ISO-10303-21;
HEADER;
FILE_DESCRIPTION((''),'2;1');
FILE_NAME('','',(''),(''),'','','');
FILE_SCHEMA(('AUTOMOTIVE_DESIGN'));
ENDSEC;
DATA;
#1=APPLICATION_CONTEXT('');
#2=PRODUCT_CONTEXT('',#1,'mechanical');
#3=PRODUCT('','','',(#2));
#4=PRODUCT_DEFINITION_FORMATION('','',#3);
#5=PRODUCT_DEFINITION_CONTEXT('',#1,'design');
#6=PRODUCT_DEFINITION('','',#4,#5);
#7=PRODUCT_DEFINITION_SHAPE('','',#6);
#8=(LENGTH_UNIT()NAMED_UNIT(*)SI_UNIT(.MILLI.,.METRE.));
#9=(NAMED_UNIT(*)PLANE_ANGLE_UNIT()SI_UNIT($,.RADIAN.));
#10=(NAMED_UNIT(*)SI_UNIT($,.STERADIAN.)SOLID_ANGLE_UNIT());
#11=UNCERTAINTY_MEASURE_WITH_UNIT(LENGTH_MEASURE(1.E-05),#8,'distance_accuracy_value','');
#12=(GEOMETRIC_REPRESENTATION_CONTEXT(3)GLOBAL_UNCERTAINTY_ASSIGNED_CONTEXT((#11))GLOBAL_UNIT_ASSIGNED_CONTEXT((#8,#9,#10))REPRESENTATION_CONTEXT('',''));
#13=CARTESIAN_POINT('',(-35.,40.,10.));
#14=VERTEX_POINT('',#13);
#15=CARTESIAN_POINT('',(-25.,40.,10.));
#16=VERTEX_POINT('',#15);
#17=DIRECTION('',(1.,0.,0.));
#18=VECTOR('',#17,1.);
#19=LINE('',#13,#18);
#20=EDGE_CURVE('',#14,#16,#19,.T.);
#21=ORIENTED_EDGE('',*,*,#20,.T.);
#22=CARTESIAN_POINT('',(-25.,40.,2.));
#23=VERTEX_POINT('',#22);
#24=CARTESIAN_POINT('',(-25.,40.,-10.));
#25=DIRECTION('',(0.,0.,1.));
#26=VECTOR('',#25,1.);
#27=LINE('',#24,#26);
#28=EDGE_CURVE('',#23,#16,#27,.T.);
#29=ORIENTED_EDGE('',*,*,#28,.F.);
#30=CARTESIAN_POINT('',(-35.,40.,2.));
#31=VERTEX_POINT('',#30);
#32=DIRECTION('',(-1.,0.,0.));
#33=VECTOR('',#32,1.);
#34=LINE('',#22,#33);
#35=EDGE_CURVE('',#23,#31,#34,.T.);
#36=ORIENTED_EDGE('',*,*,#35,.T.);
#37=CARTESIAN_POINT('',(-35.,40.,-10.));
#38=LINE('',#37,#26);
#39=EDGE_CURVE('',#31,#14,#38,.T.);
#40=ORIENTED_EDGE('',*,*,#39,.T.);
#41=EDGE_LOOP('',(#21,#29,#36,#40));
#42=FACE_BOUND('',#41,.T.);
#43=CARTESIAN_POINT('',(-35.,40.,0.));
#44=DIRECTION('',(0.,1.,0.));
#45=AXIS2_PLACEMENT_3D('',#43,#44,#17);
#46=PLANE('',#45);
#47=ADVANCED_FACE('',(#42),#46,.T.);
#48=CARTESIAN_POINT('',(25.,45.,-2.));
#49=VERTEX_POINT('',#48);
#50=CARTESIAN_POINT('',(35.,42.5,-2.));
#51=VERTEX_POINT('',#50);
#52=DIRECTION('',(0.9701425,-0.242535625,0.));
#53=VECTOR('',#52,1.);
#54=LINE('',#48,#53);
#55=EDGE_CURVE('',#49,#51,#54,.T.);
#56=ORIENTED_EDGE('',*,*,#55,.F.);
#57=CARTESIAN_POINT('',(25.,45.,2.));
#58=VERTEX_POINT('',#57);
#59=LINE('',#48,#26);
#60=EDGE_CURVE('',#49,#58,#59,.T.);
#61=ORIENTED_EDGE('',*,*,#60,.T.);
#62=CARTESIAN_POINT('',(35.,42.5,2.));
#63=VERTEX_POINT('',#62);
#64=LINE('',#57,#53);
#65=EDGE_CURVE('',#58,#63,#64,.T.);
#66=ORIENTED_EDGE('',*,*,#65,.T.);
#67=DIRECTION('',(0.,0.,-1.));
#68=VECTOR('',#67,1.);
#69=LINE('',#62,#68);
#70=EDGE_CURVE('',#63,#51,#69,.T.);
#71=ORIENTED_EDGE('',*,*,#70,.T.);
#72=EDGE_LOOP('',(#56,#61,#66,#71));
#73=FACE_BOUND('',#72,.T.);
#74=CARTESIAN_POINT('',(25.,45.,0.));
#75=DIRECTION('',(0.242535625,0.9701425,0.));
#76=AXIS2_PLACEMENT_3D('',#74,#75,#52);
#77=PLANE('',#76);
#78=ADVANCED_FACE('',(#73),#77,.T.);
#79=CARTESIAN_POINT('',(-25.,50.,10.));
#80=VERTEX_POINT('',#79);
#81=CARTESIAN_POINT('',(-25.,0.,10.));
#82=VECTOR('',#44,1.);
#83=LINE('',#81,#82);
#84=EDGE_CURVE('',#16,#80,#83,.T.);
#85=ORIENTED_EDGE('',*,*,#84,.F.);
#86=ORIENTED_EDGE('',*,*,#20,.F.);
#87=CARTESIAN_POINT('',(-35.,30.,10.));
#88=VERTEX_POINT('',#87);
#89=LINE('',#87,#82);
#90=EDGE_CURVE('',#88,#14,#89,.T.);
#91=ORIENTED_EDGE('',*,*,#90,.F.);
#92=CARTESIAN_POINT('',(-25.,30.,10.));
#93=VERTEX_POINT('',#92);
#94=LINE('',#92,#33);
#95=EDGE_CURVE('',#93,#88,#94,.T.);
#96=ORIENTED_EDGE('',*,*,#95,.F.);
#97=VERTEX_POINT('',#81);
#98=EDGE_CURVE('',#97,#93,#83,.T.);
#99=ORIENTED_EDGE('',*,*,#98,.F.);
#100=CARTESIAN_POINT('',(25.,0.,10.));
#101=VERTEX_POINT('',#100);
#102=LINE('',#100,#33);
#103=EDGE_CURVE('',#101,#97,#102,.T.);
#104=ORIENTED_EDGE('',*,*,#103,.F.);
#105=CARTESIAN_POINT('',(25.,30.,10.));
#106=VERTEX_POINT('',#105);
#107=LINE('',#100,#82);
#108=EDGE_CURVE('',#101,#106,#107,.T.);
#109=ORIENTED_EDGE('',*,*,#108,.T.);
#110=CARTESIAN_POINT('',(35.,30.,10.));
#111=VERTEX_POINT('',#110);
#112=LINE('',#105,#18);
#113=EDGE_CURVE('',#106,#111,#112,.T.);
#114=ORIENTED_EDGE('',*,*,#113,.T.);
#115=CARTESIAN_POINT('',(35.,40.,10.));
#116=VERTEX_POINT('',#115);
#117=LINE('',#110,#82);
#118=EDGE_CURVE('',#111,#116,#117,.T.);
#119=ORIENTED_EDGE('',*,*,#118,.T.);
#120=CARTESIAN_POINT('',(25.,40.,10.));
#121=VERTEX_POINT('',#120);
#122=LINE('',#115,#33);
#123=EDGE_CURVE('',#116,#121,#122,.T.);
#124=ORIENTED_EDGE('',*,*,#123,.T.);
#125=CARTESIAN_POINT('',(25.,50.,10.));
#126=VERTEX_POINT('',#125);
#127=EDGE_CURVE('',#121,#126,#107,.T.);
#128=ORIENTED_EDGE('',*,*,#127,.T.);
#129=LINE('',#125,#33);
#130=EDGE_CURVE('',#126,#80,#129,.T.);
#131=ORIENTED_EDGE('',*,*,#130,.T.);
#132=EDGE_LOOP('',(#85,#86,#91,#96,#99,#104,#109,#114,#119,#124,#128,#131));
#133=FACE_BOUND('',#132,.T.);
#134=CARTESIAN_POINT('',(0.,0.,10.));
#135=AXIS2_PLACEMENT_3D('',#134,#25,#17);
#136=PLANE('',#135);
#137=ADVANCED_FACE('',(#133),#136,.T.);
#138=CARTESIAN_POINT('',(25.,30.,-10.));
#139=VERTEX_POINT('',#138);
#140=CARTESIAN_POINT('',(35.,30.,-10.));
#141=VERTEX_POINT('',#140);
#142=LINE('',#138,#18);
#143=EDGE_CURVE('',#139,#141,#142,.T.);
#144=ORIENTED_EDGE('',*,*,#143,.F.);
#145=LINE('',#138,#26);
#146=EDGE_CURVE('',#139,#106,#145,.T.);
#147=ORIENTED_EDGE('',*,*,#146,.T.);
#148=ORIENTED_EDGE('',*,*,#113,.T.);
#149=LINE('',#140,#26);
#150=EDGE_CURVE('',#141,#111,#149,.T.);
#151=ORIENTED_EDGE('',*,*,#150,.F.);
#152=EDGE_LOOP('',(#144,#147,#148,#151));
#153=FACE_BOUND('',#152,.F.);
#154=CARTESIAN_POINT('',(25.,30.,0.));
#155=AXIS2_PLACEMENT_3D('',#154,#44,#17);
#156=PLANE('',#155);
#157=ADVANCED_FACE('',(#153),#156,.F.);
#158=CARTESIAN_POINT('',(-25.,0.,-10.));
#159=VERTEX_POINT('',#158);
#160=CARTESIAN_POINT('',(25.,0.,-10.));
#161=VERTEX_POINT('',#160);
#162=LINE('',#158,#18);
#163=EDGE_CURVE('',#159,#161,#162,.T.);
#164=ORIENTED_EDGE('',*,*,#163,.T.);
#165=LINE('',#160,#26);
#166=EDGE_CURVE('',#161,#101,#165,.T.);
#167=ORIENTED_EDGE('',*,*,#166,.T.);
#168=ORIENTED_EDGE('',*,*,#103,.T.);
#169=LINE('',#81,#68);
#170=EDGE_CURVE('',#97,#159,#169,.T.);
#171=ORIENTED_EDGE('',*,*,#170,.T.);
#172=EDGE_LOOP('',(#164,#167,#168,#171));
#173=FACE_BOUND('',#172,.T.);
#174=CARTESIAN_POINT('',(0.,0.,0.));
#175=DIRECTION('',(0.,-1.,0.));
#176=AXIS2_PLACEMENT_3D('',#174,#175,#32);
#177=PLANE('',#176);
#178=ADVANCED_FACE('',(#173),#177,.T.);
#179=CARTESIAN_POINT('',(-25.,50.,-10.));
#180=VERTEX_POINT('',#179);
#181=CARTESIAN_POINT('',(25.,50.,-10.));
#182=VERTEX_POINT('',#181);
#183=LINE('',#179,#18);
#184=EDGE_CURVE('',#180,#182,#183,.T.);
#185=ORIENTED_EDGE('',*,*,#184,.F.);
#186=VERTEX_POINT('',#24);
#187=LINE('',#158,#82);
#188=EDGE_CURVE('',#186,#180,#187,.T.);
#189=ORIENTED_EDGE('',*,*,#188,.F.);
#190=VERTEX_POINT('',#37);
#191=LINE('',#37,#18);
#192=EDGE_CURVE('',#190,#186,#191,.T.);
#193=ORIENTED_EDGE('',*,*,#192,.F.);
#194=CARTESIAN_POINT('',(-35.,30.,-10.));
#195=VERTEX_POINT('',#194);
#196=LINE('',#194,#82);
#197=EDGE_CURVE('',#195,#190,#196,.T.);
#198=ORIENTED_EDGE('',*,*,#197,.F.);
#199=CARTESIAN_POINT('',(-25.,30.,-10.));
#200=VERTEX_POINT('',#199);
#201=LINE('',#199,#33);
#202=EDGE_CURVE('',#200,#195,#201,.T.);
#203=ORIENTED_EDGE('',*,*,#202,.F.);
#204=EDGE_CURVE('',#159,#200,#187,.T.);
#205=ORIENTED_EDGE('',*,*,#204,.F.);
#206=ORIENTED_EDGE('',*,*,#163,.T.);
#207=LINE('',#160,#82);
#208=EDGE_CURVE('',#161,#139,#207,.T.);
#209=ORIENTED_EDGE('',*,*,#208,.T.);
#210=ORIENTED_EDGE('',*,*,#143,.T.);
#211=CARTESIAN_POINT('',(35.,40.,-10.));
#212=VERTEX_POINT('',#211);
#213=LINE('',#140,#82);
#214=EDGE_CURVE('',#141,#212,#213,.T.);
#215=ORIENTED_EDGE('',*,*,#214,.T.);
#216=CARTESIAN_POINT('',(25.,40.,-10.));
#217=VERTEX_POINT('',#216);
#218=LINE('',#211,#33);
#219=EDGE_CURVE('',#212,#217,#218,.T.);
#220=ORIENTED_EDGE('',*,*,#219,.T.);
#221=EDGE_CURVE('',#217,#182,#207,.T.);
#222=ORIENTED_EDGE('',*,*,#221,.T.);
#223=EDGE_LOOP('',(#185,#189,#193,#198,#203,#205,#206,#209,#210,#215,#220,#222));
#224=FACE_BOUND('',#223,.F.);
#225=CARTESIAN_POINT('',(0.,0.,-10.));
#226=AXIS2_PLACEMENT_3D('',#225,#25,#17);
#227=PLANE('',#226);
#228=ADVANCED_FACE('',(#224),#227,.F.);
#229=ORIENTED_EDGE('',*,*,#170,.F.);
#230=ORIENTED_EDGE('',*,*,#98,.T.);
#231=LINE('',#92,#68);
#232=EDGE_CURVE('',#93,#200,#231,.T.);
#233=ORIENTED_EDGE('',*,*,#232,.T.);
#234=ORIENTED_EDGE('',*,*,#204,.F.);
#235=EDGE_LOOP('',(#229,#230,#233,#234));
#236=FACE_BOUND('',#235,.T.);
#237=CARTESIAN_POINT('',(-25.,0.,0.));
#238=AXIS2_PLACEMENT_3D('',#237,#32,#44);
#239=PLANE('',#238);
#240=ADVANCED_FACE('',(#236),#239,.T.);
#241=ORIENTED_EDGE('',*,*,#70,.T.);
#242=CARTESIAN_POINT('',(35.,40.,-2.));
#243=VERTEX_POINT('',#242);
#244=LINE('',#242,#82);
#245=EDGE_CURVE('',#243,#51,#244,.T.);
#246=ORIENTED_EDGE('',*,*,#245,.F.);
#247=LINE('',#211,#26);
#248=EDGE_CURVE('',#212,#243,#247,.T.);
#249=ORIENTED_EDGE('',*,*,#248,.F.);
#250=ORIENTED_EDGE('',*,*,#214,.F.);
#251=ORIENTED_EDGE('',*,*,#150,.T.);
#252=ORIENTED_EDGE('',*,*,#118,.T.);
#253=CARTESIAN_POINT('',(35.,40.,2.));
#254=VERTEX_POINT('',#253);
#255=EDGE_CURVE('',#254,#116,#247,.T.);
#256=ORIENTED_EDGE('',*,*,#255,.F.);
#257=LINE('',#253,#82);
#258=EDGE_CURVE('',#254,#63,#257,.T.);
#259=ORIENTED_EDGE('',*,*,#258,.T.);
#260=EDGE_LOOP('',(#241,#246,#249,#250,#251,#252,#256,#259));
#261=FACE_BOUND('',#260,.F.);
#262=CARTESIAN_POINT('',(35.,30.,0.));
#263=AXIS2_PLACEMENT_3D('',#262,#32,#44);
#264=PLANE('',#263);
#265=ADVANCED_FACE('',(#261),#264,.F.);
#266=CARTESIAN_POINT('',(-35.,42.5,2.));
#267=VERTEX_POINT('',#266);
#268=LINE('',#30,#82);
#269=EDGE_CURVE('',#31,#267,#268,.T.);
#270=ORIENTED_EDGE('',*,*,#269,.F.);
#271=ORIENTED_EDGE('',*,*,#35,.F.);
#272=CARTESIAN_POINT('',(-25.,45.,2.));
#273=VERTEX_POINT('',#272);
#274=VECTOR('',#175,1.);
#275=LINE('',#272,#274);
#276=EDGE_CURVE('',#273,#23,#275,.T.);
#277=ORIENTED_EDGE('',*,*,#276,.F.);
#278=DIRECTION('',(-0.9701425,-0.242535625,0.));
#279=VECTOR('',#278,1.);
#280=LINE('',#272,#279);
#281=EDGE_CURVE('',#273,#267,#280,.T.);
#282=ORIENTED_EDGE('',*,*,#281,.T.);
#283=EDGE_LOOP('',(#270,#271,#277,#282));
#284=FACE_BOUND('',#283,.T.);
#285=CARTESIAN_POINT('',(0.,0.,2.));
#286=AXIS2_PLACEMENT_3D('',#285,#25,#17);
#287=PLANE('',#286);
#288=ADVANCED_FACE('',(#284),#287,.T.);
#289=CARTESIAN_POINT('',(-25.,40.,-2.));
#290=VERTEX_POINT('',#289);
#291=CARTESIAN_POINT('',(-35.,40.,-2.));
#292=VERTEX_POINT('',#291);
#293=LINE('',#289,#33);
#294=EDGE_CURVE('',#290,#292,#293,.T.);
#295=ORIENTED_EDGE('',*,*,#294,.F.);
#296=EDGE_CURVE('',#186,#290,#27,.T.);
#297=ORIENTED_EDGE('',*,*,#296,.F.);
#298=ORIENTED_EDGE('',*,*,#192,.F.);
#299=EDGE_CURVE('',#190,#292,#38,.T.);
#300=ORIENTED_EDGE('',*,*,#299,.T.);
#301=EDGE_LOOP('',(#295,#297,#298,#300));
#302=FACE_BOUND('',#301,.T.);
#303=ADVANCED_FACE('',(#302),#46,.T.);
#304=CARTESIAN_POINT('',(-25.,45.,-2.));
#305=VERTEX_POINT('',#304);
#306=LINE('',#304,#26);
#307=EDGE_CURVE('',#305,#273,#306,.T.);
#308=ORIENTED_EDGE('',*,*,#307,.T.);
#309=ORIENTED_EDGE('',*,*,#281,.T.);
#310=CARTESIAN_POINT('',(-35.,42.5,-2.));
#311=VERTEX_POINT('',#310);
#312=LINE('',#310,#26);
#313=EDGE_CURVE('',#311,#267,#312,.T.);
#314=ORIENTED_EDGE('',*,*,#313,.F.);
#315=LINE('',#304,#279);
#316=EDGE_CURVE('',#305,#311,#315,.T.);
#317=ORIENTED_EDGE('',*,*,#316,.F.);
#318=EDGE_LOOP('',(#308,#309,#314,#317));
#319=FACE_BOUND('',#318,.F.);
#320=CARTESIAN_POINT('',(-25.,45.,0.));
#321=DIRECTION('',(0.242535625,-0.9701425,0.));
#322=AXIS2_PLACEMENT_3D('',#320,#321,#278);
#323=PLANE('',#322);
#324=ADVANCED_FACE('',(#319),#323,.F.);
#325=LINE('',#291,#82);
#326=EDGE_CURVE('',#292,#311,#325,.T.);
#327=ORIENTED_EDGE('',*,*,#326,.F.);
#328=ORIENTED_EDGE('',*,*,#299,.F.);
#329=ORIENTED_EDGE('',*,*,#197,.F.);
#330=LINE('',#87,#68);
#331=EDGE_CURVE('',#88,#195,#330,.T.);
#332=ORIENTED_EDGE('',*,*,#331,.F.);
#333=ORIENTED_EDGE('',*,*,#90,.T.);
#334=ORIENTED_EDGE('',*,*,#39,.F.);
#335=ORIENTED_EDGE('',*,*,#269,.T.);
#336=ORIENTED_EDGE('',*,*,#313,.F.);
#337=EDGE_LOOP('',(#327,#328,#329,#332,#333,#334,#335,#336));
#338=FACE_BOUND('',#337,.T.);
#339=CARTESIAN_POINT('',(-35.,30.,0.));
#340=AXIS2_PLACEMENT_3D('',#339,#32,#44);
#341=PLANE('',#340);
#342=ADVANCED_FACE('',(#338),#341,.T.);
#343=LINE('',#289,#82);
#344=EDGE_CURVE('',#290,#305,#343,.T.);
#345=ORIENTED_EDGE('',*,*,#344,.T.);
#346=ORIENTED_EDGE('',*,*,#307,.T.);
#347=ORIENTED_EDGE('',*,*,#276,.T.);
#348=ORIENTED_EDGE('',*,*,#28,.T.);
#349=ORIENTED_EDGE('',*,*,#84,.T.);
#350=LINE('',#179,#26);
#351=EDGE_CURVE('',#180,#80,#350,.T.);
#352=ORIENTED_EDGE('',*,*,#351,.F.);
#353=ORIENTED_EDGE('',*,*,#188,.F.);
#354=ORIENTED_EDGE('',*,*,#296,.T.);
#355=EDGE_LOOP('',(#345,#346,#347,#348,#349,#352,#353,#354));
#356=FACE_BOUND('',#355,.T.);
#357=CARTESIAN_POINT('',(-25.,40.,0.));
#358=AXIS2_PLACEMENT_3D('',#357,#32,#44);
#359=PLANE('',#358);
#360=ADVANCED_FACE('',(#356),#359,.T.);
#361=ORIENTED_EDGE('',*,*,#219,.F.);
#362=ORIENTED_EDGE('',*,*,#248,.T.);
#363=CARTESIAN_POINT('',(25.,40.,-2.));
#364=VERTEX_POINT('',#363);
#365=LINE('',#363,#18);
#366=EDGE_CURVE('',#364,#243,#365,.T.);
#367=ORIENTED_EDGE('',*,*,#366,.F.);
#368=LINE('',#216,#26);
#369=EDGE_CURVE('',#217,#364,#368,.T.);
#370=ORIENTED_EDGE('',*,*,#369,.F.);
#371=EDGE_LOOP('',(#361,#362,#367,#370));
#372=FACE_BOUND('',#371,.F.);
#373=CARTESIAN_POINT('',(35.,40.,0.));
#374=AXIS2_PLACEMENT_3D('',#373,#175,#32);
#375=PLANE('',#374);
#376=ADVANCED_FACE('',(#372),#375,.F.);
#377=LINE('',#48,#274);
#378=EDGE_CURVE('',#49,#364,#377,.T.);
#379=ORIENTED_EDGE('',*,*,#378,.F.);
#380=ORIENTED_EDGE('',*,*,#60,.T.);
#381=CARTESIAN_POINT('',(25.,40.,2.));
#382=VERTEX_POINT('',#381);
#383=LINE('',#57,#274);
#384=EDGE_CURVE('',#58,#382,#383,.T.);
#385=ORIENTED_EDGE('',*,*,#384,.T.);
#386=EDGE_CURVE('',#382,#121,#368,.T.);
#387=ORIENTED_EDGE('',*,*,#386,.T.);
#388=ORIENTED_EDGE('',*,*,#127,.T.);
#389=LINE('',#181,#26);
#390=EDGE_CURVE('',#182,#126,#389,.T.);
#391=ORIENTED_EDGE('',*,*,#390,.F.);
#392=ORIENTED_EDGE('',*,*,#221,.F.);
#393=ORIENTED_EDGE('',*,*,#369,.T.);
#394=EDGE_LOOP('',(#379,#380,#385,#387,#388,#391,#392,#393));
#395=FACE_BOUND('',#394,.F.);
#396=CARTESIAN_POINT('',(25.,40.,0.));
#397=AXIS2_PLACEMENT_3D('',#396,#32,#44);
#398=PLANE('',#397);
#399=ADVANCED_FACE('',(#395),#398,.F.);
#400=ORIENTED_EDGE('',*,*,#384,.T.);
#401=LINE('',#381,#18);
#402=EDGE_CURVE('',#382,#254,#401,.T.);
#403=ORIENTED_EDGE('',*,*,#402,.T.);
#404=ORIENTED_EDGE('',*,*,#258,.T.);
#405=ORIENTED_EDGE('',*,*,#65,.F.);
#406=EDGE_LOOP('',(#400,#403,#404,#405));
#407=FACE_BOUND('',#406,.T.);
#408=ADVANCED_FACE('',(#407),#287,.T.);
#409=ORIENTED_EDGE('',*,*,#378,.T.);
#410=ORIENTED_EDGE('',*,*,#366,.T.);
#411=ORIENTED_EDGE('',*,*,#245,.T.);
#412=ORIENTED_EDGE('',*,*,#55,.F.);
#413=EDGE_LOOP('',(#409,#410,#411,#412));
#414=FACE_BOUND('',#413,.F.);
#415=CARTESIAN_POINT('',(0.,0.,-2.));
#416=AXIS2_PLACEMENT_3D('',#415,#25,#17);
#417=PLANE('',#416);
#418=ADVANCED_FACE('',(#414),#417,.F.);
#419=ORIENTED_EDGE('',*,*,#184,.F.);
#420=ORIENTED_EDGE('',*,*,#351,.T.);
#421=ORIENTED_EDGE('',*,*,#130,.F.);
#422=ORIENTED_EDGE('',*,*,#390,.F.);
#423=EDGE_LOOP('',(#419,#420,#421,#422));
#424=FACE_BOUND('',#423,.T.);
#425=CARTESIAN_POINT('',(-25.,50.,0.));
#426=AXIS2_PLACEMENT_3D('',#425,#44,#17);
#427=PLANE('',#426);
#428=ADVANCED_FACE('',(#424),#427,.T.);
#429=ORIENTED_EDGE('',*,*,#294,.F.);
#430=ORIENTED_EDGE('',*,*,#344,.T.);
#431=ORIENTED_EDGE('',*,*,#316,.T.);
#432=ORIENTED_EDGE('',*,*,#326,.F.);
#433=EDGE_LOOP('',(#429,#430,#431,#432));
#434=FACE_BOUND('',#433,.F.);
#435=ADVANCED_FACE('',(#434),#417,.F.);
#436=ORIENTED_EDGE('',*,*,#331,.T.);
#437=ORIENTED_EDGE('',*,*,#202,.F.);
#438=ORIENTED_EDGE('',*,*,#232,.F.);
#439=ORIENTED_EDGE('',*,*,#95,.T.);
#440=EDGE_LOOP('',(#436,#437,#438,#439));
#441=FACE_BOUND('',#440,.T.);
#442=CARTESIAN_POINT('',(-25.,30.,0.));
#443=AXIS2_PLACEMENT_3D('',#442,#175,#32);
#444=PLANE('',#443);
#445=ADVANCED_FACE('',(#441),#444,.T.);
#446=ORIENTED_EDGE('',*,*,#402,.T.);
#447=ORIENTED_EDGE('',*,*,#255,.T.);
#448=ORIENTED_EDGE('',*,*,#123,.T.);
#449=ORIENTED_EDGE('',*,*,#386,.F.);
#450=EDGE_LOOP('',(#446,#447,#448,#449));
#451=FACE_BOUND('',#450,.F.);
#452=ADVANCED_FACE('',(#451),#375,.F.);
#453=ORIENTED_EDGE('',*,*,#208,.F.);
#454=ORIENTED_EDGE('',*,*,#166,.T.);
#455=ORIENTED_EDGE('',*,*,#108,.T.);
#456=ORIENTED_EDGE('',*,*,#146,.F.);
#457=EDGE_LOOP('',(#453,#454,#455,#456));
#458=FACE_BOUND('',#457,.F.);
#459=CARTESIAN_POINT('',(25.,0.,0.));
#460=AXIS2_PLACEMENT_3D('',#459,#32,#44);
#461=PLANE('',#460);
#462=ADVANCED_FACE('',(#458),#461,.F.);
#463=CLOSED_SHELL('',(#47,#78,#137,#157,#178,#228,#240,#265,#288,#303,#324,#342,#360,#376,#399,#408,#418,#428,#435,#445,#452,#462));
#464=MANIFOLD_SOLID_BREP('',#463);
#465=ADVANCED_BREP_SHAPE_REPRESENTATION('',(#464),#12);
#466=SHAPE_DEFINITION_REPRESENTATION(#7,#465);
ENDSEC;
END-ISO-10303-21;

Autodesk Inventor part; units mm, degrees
ref_plane "YZ Plane" through (0, 0, 0) normal (1, 0, 0) x (0, 1, 0)
ref_plane "XZ Plane" through (0, 0, 0) normal (0, 1, 0) x (-1, 0, 0)
sketch "Sketch1" plane through (0, 0, 0) normal (0, 0, 1) x (1, 0, 0)
  line L0 (0, 0) -> (-25, 0)
  line L1 (-25, 0) -> (-25, 50)
  line L2 (-25, 50) -> (0, 50)
  line L3 (0, 50) -> (0, 0)
  line L4 (-25, 30) -> (-35, 30)
  line L5 (-35, 30) -> (-35, 40)
  line L6 (-35, 40) -> (-25, 40)
  line L7 (-25, 40) -> (-25, 30)
  line L8 (0, 0) -> (25, 0)
  line L9 (25, 0) -> (25, 50)
  line L10 (25, 50) -> (0, 50)
  line L11 (25, 30) -> (35, 30)
  line L12 (35, 30) -> (35, 40)
  line L13 (35, 40) -> (25, 40)
  dimension "d0" = 25
  dimension "d1" = 50
  dimension "d2" = 30
  dimension "d3" = 10
  dimension "d4" = 10
extrude "Extrusion1" add sketch "Sketch1" along normal mid plane 20
ref_plane "Work Plane1" through (0, 0, 0) normal (0, 0, 1) x (1, 0, 0)
sketch "Sketch2" plane through (0, 0, 0) normal (0, 0, 1) x (1, 0, 0)
  line L0 (-25, 50) -> (-25, 40) projected
  line L1 (-25, 40) -> (-35, 40)
  line L2 (-35, 40) -> (-35, 42.5)
  line L3 (-25, 45) -> (-25, 40)
  line L4 (-25, 42.5) -> (-25, 45)
  line L5 (-25, 45) -> (-35, 42.5)
  line L6 (0, 0) -> (0, 50)
  line L7 (25, 50) -> (-25, 50) projected
  line L8 (25, 45) -> (25, 40)
  line L9 (25, 40) -> (35, 40)
  line L10 (35, 40) -> (35, 42.5)
  line L11 (25, 45) -> (35, 42.5)
extrude "Extrusion2" add sketch "Sketch2" along normal mid plane 4
properties part number "Servomotor"
